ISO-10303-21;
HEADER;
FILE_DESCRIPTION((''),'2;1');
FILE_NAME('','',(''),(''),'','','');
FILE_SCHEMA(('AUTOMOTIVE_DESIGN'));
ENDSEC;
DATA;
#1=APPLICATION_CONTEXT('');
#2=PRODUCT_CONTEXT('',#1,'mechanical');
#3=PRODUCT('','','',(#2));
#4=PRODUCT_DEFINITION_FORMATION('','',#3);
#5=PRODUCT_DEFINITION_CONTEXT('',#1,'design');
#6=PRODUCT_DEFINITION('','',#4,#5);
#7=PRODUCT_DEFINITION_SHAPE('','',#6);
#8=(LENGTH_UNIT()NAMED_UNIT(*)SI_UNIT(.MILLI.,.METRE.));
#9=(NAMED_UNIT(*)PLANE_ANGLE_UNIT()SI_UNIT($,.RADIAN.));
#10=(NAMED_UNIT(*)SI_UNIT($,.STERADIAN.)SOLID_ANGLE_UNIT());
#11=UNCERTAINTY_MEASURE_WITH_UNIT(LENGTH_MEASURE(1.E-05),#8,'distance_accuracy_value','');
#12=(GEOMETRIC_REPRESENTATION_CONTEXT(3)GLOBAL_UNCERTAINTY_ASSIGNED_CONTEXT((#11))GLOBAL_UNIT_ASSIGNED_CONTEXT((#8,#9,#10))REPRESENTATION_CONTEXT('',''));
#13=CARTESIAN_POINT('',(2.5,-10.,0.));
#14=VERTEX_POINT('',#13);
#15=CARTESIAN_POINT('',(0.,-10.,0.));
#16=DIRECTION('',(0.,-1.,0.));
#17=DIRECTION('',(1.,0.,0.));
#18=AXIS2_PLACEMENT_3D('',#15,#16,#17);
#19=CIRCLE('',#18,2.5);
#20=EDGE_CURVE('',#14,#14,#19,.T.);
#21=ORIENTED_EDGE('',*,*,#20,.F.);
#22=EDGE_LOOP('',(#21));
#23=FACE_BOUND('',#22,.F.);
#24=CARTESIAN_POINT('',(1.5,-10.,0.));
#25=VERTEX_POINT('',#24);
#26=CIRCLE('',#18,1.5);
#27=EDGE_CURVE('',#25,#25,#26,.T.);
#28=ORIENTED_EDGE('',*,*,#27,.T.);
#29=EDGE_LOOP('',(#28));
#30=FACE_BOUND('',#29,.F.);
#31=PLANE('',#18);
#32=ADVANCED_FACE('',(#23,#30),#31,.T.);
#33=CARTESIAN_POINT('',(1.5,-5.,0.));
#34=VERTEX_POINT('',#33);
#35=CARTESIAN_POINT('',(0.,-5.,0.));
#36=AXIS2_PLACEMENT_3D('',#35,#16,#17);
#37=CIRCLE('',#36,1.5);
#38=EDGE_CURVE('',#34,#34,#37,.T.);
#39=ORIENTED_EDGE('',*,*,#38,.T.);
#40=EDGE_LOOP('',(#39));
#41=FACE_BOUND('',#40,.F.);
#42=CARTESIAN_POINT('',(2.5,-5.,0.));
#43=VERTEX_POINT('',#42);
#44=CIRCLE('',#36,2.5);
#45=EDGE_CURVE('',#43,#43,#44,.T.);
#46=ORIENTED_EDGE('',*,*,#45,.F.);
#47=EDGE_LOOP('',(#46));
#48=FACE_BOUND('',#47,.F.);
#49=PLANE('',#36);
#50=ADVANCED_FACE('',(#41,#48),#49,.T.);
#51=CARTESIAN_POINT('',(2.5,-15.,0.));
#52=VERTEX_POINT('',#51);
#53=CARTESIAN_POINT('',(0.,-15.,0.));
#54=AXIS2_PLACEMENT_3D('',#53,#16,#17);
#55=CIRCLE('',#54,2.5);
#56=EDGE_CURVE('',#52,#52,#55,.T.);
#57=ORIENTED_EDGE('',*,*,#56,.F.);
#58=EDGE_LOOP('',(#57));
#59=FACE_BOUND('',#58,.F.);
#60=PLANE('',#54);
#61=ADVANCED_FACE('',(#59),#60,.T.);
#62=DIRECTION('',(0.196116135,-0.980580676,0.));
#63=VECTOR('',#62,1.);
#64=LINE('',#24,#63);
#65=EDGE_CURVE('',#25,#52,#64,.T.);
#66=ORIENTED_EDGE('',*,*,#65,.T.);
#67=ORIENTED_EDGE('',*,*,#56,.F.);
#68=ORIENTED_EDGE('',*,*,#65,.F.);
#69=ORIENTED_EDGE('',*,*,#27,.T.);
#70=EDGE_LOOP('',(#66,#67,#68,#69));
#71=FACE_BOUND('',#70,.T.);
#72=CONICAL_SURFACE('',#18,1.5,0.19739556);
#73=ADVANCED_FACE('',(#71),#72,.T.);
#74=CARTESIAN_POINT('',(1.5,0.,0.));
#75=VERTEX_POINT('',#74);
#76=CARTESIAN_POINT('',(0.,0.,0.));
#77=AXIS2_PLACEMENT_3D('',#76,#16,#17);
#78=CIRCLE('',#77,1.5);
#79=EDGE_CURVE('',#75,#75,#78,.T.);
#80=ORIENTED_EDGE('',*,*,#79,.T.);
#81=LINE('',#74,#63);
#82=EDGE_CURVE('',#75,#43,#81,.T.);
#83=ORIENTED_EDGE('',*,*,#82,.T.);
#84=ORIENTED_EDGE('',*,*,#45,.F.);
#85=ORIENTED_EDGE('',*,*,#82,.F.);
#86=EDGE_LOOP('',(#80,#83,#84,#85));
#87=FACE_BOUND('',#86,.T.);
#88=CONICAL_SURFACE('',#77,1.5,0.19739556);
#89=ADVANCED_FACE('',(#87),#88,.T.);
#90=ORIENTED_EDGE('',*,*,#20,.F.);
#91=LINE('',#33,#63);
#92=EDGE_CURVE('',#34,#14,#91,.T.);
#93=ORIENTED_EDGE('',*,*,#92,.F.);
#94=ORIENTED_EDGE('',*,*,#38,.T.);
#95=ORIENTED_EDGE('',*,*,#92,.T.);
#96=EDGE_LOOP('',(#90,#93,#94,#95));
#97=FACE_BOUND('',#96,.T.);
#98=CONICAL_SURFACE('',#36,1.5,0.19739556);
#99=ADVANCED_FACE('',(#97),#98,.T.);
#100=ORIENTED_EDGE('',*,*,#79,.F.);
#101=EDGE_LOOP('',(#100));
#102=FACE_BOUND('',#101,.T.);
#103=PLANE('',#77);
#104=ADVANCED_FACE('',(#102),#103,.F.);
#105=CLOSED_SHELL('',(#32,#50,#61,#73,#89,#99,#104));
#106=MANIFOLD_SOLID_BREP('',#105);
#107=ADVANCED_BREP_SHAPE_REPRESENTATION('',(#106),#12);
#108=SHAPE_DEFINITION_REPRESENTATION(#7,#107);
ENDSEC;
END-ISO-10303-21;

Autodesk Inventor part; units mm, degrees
ref_plane "YZ Plane" through (0, 0, 0) normal (1, 0, 0) x (0, 1, 0)
ref_plane "XZ Plane" through (0, 0, 0) normal (0, 1, 0) x (-1, 0, 0)
ref_plane "XY Plane" through (0, 0, 0) normal (0, 0, 1) x (1, 0, 0)
sketch "Sketch1" plane through (0, 0, 0) normal (0, 0, 1) x (1, 0, 0)
  line L0 (-1.5, 0) -> (1.5, 0)
  line L1 (-2.5, -15) -> (2.5, -15)
  line L2 (-1.5, 0) -> (-2.5, -5)
  line L3 (1.5, 0) -> (2.5, -5)
  line L4 (1.5, -5) -> (1.5, -5)
  line L5 (-2.5, -10) -> (-1.5, -5)
  line L6 (1.5, -5) -> (2.5, -10)
  line L7 (-1.5, -10) -> (-1.5, -10)
  line L8 (1.5, -10) -> (2.5, -15)
  line L9 (-1.5, -10) -> (-2.5, -15)
  line L10 (1.5, -10) -> (2.5, -15)
  line L11 (0, 0) -> (0, -15)
  line L12 (-2.5, -10) -> (2.5, -10)
  line L13 (-2.5, -5) -> (2.5, -5)
  point P0 (0, -5)
  point P1 (0, -10)
  point P2 (0, -5)
  point P3 (0, -10)
  point P4 (1.9444, -10)
  dimension "d1" = 5
  dimension "d5" = 5
  dimension "d15" = 5
  dimension "d16" = 1.5
  dimension "d17" = 1.5
  dimension "d18" = 1.5
  dimension "d19" = 1.5
  dimension "d20" = 5
  dimension "d21" = 5
  dimension "d22" = 5
revolve "Revolution1" add sketch "Sketch1" angle 360 about axis through (0, 0, 0) along (0, -1, 0) contours L0 L3 L13 L11 | L13 L6 L12 L11 | L12 L8 L1 L11
properties part number "Valve_Plug_V2"
